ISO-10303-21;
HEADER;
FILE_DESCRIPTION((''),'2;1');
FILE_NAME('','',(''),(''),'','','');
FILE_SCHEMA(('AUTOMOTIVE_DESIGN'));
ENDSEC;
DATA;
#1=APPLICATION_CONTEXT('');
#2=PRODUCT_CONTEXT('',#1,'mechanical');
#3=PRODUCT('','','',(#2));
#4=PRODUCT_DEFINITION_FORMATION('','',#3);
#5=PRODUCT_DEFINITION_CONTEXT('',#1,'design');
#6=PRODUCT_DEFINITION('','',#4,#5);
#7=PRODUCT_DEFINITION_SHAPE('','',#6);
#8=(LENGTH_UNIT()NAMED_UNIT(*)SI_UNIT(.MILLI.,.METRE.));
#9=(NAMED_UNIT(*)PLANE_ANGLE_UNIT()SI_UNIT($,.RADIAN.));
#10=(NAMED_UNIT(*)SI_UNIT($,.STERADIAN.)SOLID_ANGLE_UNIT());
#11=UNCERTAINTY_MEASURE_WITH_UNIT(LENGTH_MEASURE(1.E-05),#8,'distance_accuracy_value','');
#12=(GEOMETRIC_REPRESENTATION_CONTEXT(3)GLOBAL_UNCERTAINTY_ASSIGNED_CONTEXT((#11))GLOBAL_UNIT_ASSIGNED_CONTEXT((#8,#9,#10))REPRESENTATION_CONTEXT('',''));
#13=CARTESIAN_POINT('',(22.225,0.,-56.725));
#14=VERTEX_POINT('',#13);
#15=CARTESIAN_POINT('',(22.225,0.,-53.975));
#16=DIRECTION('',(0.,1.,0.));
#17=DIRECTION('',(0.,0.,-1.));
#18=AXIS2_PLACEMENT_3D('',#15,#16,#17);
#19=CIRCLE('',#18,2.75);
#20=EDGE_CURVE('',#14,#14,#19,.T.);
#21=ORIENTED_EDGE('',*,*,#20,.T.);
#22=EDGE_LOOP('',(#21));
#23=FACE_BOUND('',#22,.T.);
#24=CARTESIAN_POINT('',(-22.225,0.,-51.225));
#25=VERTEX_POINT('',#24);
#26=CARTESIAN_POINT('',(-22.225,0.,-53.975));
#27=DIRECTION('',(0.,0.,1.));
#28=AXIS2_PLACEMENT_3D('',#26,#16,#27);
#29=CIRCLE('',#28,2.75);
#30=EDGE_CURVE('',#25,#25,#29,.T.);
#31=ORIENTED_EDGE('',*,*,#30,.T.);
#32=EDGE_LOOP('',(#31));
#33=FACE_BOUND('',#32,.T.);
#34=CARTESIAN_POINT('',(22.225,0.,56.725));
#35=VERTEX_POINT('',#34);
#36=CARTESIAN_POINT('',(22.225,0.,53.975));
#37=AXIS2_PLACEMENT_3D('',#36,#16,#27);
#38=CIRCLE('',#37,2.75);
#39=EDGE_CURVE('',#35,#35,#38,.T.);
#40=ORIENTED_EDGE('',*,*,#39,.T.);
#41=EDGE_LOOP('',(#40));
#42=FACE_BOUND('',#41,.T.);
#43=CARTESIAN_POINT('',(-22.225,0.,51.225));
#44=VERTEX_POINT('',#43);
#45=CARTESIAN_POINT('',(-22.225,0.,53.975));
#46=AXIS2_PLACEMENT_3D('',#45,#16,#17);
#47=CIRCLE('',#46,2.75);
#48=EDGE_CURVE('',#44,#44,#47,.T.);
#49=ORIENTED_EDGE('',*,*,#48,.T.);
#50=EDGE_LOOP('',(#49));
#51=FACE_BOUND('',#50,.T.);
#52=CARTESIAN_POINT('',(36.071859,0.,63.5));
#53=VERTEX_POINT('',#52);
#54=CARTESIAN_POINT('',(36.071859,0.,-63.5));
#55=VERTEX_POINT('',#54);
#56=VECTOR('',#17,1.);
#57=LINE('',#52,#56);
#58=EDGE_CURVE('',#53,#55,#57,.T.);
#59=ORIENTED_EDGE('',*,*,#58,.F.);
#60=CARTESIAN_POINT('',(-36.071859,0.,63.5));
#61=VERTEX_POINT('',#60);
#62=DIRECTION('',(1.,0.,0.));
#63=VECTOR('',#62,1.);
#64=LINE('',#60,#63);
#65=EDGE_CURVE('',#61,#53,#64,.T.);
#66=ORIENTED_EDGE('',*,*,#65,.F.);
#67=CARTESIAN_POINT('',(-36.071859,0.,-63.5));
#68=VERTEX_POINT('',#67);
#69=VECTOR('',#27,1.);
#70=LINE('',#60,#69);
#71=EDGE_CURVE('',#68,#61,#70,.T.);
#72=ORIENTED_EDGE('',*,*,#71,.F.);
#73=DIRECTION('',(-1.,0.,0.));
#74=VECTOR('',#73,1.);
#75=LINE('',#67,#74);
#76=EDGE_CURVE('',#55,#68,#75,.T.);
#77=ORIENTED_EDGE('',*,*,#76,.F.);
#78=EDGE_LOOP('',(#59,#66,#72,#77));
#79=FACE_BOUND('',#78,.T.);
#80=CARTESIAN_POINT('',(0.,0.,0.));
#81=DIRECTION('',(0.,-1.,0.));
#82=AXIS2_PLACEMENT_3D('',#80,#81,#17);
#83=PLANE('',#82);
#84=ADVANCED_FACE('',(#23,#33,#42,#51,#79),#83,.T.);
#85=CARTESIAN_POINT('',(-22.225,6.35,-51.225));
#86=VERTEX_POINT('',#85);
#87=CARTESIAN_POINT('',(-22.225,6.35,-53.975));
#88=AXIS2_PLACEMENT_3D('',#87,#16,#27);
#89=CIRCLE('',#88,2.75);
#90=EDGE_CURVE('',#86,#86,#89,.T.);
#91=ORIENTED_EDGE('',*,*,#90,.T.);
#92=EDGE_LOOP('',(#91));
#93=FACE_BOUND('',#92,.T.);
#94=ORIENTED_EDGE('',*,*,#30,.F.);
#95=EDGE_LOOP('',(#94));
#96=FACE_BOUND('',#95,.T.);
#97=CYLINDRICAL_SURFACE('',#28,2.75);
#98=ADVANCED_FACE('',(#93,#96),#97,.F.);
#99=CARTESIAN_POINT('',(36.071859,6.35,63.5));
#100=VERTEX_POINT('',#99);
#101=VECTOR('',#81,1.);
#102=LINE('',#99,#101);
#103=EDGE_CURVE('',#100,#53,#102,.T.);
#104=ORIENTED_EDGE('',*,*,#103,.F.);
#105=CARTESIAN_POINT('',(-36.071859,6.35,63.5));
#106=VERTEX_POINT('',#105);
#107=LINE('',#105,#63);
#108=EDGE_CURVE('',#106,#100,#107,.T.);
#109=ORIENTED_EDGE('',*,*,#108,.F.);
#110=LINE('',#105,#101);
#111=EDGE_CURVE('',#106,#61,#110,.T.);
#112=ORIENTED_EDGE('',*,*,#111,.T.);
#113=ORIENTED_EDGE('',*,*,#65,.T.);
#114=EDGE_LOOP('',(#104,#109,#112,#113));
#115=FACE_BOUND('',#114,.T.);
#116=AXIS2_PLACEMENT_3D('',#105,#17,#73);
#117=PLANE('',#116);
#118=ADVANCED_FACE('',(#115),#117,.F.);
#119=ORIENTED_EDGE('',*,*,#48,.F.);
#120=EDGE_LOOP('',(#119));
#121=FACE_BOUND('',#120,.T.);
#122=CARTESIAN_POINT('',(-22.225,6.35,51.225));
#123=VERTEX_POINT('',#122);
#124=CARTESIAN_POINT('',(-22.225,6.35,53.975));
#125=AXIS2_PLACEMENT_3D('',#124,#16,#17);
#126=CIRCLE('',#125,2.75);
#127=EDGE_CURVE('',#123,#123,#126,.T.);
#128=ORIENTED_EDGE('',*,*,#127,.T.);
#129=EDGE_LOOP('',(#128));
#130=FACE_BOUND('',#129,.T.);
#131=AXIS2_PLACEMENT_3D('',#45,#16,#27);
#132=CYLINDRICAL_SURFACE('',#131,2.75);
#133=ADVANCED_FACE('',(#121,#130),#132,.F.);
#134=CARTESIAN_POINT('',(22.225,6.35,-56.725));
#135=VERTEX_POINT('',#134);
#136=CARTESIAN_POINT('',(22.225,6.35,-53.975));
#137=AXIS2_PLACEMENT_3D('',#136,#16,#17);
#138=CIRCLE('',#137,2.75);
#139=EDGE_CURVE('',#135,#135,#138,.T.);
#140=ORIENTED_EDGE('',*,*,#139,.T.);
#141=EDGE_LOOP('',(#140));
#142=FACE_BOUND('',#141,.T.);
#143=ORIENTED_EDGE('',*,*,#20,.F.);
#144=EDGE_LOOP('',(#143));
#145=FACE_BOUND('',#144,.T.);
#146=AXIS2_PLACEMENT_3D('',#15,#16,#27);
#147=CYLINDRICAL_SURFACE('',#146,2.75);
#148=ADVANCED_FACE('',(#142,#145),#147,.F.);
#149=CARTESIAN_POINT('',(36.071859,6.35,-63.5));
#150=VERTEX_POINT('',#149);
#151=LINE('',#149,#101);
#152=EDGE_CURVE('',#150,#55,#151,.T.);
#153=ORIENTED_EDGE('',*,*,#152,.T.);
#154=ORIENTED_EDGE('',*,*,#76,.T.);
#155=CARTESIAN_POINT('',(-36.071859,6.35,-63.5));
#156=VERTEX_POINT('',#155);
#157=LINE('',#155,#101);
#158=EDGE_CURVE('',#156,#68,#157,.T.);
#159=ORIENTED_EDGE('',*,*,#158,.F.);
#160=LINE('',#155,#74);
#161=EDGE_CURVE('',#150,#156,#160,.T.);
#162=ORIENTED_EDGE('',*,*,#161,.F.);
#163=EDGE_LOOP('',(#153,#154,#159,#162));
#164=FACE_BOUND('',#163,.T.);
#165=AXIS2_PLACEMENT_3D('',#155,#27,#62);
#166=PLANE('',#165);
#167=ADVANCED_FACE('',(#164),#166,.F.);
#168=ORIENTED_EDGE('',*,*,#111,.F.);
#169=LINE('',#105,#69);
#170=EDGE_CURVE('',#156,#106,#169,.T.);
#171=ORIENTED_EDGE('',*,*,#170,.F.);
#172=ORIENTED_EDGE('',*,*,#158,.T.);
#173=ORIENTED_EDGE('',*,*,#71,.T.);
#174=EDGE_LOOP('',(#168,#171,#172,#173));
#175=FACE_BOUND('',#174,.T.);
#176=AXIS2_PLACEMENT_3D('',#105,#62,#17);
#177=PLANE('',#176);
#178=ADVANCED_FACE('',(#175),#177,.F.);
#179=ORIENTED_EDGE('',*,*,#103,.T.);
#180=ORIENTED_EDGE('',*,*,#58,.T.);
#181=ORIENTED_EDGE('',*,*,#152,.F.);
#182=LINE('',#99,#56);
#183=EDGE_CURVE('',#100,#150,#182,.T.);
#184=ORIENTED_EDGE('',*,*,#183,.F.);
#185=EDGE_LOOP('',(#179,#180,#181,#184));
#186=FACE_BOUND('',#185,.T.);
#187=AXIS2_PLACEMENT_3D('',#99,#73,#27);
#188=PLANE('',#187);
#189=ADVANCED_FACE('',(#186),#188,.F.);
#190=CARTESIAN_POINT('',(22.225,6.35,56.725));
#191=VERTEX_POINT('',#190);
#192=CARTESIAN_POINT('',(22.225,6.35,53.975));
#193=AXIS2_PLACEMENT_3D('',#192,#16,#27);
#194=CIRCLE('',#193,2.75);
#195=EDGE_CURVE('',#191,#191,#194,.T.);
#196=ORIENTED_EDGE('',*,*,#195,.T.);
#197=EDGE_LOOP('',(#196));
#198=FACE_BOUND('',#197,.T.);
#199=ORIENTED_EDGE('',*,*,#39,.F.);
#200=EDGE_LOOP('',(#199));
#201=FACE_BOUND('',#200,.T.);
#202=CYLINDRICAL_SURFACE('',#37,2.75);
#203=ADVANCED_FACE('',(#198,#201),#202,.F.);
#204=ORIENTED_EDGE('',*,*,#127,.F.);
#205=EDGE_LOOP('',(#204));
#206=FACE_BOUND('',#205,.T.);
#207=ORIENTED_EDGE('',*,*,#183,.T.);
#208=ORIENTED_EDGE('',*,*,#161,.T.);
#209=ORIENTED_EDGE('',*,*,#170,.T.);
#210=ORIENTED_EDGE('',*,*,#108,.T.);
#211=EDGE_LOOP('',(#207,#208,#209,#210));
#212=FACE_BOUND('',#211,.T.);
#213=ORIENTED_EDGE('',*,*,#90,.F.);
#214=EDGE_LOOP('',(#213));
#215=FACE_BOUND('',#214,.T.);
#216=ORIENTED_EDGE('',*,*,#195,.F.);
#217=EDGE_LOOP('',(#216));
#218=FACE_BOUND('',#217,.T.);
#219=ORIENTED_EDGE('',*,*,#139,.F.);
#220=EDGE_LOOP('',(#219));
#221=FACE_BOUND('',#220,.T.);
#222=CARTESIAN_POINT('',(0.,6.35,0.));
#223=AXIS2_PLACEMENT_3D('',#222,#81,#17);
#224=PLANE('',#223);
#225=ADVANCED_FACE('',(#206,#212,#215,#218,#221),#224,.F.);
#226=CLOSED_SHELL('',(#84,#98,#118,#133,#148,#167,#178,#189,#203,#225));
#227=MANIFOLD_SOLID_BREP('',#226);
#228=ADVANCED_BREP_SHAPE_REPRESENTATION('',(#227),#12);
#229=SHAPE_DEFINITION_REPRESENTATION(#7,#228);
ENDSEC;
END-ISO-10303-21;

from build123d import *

# Parameters (mm, degrees)
SKETCH2_W           = 72.143718552
SKETCH2_H           = 127
BOSS_EXTRUDE1_DEPTH = 6.35
SKETCH3_R           = 2.75
CUT_EXTRUDE1_DEPTH  = 6.35


with BuildPart() as part:
    # Sketch2 → Boss-Extrude1 (new body)
    with BuildSketch(Plane(origin=(0, 0, 0), x_dir=(1, 0, 0), z_dir=(0, 1, 0))):
        Rectangle(SKETCH2_W, SKETCH2_H)
    extrude(amount=BOSS_EXTRUDE1_DEPTH)

    # Sketch3 → Cut-Extrude1 (cut)
    with BuildSketch(Plane(origin=(0, 6.35, 0), x_dir=(1, 0, 0), z_dir=(0, 1, 0))):
        with Locations(Location((-22.225, 53.975, 0), (0, 0, 270))):
            Circle(SKETCH3_R)
        with Locations(Location((22.225, 53.975, 0), (0, 0, 90))):
            Circle(SKETCH3_R)
        with Locations(Location((22.225, -53.975, 0), (0, 0, 270))):
            Circle(SKETCH3_R)
        with Locations(Location((-22.225, -53.975, 0), (0, 0, 90))):
            Circle(SKETCH3_R)
    extrude(amount=-CUT_EXTRUDE1_DEPTH, mode=Mode.SUBTRACT)


solid = part.part
